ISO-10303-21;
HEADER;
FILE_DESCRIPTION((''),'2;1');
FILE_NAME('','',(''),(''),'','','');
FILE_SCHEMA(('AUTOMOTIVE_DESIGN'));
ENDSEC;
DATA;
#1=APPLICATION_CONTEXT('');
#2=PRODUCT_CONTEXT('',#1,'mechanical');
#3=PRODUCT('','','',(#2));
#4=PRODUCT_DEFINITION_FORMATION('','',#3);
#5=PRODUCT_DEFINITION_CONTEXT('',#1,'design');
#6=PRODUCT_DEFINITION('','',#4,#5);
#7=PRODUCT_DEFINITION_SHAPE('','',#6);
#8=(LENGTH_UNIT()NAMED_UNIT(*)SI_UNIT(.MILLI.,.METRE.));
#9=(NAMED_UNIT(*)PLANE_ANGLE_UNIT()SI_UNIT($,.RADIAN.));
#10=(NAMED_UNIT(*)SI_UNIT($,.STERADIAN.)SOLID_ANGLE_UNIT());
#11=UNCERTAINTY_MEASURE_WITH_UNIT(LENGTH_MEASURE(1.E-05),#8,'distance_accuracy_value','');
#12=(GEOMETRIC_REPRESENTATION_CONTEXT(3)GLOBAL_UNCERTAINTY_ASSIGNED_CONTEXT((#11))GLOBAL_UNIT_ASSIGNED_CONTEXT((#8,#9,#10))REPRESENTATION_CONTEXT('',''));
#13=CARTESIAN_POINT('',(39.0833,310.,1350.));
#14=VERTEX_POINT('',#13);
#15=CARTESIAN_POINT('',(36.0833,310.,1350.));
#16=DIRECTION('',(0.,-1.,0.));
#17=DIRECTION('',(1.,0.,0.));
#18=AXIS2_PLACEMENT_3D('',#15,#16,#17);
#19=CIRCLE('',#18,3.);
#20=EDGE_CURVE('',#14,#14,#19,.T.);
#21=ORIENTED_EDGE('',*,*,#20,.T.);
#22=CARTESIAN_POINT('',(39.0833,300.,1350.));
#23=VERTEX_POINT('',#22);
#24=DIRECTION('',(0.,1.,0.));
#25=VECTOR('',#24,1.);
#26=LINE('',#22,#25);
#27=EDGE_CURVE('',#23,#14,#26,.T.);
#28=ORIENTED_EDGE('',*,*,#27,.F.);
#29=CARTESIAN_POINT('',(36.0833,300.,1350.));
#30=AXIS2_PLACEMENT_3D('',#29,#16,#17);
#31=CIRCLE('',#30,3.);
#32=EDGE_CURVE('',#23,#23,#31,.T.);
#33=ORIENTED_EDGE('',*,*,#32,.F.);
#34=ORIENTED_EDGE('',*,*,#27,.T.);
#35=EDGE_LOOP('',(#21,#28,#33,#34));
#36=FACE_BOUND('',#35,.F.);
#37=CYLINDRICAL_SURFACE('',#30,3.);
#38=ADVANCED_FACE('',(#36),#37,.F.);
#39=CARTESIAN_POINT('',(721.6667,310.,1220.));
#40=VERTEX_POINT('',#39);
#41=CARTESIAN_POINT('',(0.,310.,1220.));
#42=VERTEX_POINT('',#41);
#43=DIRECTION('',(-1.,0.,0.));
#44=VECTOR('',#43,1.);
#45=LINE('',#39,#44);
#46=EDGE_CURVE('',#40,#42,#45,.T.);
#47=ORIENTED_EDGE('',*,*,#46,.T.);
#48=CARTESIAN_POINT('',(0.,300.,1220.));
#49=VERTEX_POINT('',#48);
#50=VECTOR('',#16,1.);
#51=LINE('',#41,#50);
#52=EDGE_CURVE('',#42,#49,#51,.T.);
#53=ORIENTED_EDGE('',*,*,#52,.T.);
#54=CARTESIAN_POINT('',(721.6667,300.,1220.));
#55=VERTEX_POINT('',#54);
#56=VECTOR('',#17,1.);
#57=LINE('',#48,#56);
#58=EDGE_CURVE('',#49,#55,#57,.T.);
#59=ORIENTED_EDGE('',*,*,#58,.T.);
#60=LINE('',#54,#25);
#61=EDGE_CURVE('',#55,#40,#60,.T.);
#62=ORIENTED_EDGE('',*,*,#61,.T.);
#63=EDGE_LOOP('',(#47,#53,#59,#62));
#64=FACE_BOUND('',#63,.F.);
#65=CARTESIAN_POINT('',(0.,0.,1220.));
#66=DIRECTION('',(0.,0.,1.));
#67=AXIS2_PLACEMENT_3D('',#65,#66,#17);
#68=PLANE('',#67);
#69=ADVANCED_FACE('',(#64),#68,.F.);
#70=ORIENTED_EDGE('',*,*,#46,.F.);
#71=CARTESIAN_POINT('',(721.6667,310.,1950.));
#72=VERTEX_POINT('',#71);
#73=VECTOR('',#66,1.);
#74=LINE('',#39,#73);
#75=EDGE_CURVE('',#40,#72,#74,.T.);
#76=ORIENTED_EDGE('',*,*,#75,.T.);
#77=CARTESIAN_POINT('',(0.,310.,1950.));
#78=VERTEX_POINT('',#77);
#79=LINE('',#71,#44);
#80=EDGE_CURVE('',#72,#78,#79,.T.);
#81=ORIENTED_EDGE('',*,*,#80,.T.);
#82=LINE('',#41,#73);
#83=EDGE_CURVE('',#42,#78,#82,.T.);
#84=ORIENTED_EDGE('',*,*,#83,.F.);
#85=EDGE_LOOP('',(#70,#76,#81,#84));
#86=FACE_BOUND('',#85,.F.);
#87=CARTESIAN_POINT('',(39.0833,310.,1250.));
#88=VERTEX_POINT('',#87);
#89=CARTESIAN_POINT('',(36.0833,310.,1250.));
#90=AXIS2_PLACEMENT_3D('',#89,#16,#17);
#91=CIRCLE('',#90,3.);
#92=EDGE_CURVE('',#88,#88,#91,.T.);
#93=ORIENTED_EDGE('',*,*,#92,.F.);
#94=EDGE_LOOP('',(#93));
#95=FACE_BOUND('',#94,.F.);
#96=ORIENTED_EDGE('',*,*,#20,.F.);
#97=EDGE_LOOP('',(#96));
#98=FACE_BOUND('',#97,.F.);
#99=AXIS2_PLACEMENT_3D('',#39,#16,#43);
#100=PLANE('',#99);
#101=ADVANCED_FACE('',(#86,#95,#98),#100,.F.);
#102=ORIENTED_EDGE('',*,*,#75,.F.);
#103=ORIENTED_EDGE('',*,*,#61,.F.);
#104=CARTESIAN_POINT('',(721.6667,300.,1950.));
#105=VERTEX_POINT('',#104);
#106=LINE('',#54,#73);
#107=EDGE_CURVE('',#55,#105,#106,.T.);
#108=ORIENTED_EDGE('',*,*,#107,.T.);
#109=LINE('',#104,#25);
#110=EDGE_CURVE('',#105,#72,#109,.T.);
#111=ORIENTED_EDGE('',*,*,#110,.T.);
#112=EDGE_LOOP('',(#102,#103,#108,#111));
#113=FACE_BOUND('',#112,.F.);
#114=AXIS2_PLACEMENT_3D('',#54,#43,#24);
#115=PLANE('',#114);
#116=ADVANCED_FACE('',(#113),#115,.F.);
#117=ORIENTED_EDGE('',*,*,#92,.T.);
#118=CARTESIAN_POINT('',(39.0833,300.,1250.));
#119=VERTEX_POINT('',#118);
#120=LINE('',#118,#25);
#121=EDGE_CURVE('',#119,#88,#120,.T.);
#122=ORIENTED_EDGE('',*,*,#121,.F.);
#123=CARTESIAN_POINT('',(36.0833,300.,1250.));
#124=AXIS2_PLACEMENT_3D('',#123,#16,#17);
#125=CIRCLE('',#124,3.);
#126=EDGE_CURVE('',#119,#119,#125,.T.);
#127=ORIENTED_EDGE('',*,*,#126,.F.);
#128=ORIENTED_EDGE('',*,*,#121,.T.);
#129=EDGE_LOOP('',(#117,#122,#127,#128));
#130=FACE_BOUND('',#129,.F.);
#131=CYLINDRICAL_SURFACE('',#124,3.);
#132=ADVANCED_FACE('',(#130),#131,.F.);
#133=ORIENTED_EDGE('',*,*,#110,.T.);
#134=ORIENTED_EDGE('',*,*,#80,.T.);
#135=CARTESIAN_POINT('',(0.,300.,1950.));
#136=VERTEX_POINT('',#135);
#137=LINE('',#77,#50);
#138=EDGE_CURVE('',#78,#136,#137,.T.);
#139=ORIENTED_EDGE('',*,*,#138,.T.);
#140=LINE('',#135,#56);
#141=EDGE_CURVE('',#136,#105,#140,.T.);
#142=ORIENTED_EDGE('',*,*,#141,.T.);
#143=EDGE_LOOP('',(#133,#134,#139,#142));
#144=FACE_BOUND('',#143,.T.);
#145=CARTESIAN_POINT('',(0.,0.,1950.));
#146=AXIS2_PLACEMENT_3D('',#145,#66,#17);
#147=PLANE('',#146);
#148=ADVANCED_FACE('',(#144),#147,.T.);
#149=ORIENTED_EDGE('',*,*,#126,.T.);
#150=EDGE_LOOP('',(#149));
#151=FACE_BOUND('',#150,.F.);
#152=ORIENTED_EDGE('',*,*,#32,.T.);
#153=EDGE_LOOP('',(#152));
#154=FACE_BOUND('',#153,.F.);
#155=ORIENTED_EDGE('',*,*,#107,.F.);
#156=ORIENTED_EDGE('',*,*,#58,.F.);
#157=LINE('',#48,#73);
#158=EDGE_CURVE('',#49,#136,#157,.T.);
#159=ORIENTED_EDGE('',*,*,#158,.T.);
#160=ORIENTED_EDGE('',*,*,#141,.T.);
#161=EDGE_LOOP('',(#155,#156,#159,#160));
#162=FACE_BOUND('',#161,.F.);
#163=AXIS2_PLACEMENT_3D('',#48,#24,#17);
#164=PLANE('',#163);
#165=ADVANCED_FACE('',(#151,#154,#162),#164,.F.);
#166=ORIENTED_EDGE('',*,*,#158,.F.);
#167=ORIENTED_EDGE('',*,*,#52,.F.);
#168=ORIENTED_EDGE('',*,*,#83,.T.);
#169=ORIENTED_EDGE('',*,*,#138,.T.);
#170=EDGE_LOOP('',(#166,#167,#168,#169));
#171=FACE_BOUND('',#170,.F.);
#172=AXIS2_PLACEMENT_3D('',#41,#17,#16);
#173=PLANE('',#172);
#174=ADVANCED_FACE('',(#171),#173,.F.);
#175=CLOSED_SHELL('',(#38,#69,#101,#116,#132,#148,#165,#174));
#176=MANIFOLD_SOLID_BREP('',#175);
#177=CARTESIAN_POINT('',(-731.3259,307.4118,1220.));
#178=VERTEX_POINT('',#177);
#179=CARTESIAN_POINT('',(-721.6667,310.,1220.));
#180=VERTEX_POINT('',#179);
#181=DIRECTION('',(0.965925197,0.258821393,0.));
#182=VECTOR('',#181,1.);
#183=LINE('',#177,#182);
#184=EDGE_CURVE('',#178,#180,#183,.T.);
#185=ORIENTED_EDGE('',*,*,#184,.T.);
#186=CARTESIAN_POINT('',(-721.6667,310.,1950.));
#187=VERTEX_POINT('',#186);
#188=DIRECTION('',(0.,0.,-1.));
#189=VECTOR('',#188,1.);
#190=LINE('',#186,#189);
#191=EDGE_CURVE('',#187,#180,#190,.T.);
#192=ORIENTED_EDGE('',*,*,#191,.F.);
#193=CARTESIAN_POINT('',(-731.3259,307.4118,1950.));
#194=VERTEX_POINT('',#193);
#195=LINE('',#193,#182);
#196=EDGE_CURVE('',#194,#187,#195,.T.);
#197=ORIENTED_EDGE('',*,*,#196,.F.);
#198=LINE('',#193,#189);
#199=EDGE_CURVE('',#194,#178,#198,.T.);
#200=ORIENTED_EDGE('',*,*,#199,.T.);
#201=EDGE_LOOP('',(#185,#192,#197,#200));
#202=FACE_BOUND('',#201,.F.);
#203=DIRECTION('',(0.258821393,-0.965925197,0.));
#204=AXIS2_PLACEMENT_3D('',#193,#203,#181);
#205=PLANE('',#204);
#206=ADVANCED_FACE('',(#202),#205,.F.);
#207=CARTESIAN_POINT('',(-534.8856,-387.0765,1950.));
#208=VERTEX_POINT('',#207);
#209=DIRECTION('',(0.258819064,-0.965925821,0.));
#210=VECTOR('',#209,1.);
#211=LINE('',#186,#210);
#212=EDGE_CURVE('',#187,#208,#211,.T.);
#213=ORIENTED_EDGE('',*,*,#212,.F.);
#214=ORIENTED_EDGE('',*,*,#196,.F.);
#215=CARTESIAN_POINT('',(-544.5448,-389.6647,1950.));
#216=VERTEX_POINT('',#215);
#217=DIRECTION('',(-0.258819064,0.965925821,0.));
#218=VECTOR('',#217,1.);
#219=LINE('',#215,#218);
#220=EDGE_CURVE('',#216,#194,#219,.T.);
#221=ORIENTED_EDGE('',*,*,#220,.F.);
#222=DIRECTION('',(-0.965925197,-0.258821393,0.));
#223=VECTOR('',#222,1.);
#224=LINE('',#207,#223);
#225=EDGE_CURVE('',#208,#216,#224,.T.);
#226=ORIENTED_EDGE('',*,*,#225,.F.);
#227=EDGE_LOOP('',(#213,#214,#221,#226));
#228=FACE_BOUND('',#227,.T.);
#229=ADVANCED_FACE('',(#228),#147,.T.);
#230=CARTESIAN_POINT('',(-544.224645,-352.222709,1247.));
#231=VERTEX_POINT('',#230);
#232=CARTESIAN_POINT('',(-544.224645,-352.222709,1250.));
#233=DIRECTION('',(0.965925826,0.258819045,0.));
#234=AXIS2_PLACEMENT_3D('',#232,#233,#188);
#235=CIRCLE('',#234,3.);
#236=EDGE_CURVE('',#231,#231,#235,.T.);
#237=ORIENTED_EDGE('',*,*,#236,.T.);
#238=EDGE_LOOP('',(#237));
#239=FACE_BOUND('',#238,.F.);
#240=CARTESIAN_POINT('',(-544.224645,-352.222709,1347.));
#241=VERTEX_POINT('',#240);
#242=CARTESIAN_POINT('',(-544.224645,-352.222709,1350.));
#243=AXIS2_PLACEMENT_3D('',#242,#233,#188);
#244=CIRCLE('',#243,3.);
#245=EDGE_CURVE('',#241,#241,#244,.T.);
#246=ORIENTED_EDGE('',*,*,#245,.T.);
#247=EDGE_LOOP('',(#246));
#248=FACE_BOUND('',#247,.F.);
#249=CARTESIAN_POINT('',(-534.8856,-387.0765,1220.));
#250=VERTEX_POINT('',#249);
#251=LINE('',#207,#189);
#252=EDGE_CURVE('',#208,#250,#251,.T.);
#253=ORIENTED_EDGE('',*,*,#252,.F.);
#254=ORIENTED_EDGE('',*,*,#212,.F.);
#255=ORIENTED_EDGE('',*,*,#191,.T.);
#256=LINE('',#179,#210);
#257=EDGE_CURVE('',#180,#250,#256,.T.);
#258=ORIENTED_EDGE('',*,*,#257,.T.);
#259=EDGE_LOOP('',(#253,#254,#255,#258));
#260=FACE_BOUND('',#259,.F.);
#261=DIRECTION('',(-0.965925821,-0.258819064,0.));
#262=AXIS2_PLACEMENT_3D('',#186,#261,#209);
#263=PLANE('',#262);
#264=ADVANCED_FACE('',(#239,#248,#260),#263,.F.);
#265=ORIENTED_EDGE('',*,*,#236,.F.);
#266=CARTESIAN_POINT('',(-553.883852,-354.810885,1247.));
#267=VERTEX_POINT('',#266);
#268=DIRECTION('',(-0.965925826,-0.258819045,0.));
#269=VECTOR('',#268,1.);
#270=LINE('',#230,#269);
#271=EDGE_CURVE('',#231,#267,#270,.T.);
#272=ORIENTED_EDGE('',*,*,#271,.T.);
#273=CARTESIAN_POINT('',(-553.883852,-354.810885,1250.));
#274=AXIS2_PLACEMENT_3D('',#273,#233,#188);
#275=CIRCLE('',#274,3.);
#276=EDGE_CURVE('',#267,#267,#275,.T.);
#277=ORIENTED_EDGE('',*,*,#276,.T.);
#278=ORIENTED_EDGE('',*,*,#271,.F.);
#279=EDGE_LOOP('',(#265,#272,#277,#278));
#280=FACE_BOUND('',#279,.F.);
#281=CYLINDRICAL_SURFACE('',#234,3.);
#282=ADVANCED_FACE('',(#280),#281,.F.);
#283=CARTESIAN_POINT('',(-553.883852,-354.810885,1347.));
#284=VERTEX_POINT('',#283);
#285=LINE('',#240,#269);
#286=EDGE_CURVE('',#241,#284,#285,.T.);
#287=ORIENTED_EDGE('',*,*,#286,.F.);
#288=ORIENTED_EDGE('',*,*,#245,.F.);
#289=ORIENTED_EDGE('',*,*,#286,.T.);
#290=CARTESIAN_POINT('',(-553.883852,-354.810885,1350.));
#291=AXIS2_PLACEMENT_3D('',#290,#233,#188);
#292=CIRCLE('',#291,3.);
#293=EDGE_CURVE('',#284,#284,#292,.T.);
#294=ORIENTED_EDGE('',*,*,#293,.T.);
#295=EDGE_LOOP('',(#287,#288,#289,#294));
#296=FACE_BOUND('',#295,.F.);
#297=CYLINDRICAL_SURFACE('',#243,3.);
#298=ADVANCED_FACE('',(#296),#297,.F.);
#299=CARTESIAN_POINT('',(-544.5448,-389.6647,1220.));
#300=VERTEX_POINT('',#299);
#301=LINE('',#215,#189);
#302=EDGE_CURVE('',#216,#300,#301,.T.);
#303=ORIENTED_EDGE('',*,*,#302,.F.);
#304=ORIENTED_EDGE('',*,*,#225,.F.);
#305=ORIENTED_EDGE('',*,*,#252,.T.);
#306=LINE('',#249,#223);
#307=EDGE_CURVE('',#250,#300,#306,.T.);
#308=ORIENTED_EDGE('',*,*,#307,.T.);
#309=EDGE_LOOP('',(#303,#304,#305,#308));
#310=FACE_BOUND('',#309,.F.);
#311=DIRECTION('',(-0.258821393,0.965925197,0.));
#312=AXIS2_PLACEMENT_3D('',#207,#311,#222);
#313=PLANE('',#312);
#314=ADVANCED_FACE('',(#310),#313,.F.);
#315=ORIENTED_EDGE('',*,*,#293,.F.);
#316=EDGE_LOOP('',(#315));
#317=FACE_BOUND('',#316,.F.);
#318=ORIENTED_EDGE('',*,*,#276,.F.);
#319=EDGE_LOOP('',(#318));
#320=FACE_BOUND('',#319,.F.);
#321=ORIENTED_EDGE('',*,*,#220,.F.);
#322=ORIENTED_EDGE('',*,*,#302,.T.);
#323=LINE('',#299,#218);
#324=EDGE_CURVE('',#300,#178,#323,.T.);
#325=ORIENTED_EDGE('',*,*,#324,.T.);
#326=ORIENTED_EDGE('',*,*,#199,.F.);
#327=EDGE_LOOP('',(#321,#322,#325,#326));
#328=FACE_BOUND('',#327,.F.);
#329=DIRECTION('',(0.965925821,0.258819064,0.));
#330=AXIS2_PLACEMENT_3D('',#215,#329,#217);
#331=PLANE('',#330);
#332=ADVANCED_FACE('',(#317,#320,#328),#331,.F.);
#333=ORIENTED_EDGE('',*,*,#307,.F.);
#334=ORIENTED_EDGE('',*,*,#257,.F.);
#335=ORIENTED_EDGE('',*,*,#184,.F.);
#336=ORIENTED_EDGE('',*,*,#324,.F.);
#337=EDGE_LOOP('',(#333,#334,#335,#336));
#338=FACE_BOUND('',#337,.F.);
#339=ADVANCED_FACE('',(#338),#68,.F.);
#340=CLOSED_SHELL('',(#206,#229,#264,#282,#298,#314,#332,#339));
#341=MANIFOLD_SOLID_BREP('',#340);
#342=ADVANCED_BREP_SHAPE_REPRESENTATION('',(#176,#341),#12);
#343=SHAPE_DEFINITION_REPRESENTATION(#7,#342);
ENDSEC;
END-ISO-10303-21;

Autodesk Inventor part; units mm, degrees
ref_plane "YZ Plane" through (0, 0, 0) normal (1, 0, 0) x (0, 1, 0)
ref_plane "XZ Plane" through (0, 0, 0) normal (0, 1, 0) x (-1, 0, 0)
ref_plane "Plano de trabajo4" through (0, 0, 1220) normal (0, 0, 1) x (1, 0, 0)
sketch "Boceto8" plane through (0, 0, 1220) normal (0, 0, 1) x (1, 0, 0)
  line L0 (480, 0) -> (0, 0) projected
  line L1 (480, 0) -> (480, 10) projected
  line L2 (0, 10) -> (480, 10) projected
  line L3 (0, 0) -> (0, 10) projected
  line L4 (480, 10) -> (0, 10) projected
  line L5 (0, 10) -> (0, 300)
  line L6 (0, 300) -> (721.6667, 300)
  line L7 (721.6667, 300) -> (721.6667, 310)
  line L8 (721.6667, 310) -> (0, 310)
  line L9 (0, 310) -> (0, 300)
  point P0 (0, 0)
  dimension "d38" = 290
  dimension "d39" = 721.6667
  dimension "d40" = 10
extrude "Extrusión8" add sketch "Boceto8" along normal blind 730 contours L9 L8 L7 L6
sketch "Boceto9" plane through (0, 300, 1220) normal (0, -1, 0) x (1, 0, 0)
  line L0 (0, 0) -> (721.6667, 0) construction
  line L1 (721.6667, 0) -> (721.6667, 730) construction
  line L2 (0, 730) -> (721.6667, 730) construction
  line L3 (0, 0) -> (0, 730) construction
  line L4 (0, 80) -> (721.6667, 80) construction
  line L5 (0, 0) -> (721.6667, 0) construction
  line L6 (36.0833, 0) -> (36.0833, 730) construction
  line L7 (0, 730) -> (721.6667, 730) construction
  circle A0 centre (36.0833, 30) radius 3
  circle A1 centre (36.0833, 130) radius 3
  point P0 (0, -1220)
  dimension "d43" = 36.0833
  dimension "d44" = 80
  dimension "d45" = 6
  dimension "d46" = 50
extrude "Extrusión9" cut sketch "Boceto9" against normal up to next
sketch "Boceto10" plane through (0, 0, 1950) normal (0, 0, 1) x (1, 0, 0)
  line L0 (721.6667, 310) -> (0, 310) projected
  line L1 (0, 310) -> (-721.6667, 310)
  line L2 (-721.6667, 310) -> (-534.8856, -387.0765)
  line L3 (-534.8856, -387.0765) -> (-544.5448, -389.6647)
  line L4 (-544.5448, -389.6647) -> (-731.3259, 307.4118)
  line L5 (-731.3259, 307.4118) -> (-721.6667, 310)
  point P0 (0, 0)
  dimension "d49" = 721.6667
  dimension "d50" = 721.6667
  dimension "angulo" = 75
  dimension "d52" = 10
  dimension "d53" = 721.6667
extrude "Extrusión10" add sketch "Boceto10" against normal blind 730
sketch "Boceto11" plane through (-534.8856, -387.0765, 1950) normal (0.9659, 0.2588, 0) x (0, 0, -1)
  line L0 (0, 721.6667) -> (0, 0) construction
  line L1 (0, 0) -> (730, 0) construction
  line L2 (730, 721.6667) -> (730, 0) construction
  line L3 (0, 721.6667) -> (730, 721.6667) construction
  line L4 (0, 721.6667) -> (0, 0) construction
  line L5 (0, 36.0833) -> (730, 36.0833) construction
  line L6 (0, 0) -> (730, 0) construction
  line L7 (650, 0) -> (650, 721.6667) construction
  line L8 (0, 721.6667) -> (730, 721.6667) construction
  circle A0 centre (700, 36.0833) radius 3
  circle A1 centre (600, 36.0833) radius 3
  point P0 (1950, 235.4486)
  dimension "d56" = 36.0833
  dimension "d57" = 80
  dimension "d58" = 6
  dimension "d59" = 50
extrude "Extrusión11" cut sketch "Boceto11" against normal up to next
equation "\"d39\" = ancho_m"
equation "\"d40\" = espesor"
equation "\"d43\" = 0.05 * ancho_m"
equation "\"d49\" = ancho_m"
equation "\"d50\" = ancho_m"
equation "\"d52\" = espesor"
equation "\"d53\" = ancho_m"
equation "\"d54\" = h_sup"
equation "\"d56\" = 0.05 * ancho_m"
equation "\"d60\" = h_sup"
equation "\"ancho_m\" = 721.666667"
equation "\"espesor\" = 10"
equation "\"h_sup\" = 730"
properties part number "puerta"
